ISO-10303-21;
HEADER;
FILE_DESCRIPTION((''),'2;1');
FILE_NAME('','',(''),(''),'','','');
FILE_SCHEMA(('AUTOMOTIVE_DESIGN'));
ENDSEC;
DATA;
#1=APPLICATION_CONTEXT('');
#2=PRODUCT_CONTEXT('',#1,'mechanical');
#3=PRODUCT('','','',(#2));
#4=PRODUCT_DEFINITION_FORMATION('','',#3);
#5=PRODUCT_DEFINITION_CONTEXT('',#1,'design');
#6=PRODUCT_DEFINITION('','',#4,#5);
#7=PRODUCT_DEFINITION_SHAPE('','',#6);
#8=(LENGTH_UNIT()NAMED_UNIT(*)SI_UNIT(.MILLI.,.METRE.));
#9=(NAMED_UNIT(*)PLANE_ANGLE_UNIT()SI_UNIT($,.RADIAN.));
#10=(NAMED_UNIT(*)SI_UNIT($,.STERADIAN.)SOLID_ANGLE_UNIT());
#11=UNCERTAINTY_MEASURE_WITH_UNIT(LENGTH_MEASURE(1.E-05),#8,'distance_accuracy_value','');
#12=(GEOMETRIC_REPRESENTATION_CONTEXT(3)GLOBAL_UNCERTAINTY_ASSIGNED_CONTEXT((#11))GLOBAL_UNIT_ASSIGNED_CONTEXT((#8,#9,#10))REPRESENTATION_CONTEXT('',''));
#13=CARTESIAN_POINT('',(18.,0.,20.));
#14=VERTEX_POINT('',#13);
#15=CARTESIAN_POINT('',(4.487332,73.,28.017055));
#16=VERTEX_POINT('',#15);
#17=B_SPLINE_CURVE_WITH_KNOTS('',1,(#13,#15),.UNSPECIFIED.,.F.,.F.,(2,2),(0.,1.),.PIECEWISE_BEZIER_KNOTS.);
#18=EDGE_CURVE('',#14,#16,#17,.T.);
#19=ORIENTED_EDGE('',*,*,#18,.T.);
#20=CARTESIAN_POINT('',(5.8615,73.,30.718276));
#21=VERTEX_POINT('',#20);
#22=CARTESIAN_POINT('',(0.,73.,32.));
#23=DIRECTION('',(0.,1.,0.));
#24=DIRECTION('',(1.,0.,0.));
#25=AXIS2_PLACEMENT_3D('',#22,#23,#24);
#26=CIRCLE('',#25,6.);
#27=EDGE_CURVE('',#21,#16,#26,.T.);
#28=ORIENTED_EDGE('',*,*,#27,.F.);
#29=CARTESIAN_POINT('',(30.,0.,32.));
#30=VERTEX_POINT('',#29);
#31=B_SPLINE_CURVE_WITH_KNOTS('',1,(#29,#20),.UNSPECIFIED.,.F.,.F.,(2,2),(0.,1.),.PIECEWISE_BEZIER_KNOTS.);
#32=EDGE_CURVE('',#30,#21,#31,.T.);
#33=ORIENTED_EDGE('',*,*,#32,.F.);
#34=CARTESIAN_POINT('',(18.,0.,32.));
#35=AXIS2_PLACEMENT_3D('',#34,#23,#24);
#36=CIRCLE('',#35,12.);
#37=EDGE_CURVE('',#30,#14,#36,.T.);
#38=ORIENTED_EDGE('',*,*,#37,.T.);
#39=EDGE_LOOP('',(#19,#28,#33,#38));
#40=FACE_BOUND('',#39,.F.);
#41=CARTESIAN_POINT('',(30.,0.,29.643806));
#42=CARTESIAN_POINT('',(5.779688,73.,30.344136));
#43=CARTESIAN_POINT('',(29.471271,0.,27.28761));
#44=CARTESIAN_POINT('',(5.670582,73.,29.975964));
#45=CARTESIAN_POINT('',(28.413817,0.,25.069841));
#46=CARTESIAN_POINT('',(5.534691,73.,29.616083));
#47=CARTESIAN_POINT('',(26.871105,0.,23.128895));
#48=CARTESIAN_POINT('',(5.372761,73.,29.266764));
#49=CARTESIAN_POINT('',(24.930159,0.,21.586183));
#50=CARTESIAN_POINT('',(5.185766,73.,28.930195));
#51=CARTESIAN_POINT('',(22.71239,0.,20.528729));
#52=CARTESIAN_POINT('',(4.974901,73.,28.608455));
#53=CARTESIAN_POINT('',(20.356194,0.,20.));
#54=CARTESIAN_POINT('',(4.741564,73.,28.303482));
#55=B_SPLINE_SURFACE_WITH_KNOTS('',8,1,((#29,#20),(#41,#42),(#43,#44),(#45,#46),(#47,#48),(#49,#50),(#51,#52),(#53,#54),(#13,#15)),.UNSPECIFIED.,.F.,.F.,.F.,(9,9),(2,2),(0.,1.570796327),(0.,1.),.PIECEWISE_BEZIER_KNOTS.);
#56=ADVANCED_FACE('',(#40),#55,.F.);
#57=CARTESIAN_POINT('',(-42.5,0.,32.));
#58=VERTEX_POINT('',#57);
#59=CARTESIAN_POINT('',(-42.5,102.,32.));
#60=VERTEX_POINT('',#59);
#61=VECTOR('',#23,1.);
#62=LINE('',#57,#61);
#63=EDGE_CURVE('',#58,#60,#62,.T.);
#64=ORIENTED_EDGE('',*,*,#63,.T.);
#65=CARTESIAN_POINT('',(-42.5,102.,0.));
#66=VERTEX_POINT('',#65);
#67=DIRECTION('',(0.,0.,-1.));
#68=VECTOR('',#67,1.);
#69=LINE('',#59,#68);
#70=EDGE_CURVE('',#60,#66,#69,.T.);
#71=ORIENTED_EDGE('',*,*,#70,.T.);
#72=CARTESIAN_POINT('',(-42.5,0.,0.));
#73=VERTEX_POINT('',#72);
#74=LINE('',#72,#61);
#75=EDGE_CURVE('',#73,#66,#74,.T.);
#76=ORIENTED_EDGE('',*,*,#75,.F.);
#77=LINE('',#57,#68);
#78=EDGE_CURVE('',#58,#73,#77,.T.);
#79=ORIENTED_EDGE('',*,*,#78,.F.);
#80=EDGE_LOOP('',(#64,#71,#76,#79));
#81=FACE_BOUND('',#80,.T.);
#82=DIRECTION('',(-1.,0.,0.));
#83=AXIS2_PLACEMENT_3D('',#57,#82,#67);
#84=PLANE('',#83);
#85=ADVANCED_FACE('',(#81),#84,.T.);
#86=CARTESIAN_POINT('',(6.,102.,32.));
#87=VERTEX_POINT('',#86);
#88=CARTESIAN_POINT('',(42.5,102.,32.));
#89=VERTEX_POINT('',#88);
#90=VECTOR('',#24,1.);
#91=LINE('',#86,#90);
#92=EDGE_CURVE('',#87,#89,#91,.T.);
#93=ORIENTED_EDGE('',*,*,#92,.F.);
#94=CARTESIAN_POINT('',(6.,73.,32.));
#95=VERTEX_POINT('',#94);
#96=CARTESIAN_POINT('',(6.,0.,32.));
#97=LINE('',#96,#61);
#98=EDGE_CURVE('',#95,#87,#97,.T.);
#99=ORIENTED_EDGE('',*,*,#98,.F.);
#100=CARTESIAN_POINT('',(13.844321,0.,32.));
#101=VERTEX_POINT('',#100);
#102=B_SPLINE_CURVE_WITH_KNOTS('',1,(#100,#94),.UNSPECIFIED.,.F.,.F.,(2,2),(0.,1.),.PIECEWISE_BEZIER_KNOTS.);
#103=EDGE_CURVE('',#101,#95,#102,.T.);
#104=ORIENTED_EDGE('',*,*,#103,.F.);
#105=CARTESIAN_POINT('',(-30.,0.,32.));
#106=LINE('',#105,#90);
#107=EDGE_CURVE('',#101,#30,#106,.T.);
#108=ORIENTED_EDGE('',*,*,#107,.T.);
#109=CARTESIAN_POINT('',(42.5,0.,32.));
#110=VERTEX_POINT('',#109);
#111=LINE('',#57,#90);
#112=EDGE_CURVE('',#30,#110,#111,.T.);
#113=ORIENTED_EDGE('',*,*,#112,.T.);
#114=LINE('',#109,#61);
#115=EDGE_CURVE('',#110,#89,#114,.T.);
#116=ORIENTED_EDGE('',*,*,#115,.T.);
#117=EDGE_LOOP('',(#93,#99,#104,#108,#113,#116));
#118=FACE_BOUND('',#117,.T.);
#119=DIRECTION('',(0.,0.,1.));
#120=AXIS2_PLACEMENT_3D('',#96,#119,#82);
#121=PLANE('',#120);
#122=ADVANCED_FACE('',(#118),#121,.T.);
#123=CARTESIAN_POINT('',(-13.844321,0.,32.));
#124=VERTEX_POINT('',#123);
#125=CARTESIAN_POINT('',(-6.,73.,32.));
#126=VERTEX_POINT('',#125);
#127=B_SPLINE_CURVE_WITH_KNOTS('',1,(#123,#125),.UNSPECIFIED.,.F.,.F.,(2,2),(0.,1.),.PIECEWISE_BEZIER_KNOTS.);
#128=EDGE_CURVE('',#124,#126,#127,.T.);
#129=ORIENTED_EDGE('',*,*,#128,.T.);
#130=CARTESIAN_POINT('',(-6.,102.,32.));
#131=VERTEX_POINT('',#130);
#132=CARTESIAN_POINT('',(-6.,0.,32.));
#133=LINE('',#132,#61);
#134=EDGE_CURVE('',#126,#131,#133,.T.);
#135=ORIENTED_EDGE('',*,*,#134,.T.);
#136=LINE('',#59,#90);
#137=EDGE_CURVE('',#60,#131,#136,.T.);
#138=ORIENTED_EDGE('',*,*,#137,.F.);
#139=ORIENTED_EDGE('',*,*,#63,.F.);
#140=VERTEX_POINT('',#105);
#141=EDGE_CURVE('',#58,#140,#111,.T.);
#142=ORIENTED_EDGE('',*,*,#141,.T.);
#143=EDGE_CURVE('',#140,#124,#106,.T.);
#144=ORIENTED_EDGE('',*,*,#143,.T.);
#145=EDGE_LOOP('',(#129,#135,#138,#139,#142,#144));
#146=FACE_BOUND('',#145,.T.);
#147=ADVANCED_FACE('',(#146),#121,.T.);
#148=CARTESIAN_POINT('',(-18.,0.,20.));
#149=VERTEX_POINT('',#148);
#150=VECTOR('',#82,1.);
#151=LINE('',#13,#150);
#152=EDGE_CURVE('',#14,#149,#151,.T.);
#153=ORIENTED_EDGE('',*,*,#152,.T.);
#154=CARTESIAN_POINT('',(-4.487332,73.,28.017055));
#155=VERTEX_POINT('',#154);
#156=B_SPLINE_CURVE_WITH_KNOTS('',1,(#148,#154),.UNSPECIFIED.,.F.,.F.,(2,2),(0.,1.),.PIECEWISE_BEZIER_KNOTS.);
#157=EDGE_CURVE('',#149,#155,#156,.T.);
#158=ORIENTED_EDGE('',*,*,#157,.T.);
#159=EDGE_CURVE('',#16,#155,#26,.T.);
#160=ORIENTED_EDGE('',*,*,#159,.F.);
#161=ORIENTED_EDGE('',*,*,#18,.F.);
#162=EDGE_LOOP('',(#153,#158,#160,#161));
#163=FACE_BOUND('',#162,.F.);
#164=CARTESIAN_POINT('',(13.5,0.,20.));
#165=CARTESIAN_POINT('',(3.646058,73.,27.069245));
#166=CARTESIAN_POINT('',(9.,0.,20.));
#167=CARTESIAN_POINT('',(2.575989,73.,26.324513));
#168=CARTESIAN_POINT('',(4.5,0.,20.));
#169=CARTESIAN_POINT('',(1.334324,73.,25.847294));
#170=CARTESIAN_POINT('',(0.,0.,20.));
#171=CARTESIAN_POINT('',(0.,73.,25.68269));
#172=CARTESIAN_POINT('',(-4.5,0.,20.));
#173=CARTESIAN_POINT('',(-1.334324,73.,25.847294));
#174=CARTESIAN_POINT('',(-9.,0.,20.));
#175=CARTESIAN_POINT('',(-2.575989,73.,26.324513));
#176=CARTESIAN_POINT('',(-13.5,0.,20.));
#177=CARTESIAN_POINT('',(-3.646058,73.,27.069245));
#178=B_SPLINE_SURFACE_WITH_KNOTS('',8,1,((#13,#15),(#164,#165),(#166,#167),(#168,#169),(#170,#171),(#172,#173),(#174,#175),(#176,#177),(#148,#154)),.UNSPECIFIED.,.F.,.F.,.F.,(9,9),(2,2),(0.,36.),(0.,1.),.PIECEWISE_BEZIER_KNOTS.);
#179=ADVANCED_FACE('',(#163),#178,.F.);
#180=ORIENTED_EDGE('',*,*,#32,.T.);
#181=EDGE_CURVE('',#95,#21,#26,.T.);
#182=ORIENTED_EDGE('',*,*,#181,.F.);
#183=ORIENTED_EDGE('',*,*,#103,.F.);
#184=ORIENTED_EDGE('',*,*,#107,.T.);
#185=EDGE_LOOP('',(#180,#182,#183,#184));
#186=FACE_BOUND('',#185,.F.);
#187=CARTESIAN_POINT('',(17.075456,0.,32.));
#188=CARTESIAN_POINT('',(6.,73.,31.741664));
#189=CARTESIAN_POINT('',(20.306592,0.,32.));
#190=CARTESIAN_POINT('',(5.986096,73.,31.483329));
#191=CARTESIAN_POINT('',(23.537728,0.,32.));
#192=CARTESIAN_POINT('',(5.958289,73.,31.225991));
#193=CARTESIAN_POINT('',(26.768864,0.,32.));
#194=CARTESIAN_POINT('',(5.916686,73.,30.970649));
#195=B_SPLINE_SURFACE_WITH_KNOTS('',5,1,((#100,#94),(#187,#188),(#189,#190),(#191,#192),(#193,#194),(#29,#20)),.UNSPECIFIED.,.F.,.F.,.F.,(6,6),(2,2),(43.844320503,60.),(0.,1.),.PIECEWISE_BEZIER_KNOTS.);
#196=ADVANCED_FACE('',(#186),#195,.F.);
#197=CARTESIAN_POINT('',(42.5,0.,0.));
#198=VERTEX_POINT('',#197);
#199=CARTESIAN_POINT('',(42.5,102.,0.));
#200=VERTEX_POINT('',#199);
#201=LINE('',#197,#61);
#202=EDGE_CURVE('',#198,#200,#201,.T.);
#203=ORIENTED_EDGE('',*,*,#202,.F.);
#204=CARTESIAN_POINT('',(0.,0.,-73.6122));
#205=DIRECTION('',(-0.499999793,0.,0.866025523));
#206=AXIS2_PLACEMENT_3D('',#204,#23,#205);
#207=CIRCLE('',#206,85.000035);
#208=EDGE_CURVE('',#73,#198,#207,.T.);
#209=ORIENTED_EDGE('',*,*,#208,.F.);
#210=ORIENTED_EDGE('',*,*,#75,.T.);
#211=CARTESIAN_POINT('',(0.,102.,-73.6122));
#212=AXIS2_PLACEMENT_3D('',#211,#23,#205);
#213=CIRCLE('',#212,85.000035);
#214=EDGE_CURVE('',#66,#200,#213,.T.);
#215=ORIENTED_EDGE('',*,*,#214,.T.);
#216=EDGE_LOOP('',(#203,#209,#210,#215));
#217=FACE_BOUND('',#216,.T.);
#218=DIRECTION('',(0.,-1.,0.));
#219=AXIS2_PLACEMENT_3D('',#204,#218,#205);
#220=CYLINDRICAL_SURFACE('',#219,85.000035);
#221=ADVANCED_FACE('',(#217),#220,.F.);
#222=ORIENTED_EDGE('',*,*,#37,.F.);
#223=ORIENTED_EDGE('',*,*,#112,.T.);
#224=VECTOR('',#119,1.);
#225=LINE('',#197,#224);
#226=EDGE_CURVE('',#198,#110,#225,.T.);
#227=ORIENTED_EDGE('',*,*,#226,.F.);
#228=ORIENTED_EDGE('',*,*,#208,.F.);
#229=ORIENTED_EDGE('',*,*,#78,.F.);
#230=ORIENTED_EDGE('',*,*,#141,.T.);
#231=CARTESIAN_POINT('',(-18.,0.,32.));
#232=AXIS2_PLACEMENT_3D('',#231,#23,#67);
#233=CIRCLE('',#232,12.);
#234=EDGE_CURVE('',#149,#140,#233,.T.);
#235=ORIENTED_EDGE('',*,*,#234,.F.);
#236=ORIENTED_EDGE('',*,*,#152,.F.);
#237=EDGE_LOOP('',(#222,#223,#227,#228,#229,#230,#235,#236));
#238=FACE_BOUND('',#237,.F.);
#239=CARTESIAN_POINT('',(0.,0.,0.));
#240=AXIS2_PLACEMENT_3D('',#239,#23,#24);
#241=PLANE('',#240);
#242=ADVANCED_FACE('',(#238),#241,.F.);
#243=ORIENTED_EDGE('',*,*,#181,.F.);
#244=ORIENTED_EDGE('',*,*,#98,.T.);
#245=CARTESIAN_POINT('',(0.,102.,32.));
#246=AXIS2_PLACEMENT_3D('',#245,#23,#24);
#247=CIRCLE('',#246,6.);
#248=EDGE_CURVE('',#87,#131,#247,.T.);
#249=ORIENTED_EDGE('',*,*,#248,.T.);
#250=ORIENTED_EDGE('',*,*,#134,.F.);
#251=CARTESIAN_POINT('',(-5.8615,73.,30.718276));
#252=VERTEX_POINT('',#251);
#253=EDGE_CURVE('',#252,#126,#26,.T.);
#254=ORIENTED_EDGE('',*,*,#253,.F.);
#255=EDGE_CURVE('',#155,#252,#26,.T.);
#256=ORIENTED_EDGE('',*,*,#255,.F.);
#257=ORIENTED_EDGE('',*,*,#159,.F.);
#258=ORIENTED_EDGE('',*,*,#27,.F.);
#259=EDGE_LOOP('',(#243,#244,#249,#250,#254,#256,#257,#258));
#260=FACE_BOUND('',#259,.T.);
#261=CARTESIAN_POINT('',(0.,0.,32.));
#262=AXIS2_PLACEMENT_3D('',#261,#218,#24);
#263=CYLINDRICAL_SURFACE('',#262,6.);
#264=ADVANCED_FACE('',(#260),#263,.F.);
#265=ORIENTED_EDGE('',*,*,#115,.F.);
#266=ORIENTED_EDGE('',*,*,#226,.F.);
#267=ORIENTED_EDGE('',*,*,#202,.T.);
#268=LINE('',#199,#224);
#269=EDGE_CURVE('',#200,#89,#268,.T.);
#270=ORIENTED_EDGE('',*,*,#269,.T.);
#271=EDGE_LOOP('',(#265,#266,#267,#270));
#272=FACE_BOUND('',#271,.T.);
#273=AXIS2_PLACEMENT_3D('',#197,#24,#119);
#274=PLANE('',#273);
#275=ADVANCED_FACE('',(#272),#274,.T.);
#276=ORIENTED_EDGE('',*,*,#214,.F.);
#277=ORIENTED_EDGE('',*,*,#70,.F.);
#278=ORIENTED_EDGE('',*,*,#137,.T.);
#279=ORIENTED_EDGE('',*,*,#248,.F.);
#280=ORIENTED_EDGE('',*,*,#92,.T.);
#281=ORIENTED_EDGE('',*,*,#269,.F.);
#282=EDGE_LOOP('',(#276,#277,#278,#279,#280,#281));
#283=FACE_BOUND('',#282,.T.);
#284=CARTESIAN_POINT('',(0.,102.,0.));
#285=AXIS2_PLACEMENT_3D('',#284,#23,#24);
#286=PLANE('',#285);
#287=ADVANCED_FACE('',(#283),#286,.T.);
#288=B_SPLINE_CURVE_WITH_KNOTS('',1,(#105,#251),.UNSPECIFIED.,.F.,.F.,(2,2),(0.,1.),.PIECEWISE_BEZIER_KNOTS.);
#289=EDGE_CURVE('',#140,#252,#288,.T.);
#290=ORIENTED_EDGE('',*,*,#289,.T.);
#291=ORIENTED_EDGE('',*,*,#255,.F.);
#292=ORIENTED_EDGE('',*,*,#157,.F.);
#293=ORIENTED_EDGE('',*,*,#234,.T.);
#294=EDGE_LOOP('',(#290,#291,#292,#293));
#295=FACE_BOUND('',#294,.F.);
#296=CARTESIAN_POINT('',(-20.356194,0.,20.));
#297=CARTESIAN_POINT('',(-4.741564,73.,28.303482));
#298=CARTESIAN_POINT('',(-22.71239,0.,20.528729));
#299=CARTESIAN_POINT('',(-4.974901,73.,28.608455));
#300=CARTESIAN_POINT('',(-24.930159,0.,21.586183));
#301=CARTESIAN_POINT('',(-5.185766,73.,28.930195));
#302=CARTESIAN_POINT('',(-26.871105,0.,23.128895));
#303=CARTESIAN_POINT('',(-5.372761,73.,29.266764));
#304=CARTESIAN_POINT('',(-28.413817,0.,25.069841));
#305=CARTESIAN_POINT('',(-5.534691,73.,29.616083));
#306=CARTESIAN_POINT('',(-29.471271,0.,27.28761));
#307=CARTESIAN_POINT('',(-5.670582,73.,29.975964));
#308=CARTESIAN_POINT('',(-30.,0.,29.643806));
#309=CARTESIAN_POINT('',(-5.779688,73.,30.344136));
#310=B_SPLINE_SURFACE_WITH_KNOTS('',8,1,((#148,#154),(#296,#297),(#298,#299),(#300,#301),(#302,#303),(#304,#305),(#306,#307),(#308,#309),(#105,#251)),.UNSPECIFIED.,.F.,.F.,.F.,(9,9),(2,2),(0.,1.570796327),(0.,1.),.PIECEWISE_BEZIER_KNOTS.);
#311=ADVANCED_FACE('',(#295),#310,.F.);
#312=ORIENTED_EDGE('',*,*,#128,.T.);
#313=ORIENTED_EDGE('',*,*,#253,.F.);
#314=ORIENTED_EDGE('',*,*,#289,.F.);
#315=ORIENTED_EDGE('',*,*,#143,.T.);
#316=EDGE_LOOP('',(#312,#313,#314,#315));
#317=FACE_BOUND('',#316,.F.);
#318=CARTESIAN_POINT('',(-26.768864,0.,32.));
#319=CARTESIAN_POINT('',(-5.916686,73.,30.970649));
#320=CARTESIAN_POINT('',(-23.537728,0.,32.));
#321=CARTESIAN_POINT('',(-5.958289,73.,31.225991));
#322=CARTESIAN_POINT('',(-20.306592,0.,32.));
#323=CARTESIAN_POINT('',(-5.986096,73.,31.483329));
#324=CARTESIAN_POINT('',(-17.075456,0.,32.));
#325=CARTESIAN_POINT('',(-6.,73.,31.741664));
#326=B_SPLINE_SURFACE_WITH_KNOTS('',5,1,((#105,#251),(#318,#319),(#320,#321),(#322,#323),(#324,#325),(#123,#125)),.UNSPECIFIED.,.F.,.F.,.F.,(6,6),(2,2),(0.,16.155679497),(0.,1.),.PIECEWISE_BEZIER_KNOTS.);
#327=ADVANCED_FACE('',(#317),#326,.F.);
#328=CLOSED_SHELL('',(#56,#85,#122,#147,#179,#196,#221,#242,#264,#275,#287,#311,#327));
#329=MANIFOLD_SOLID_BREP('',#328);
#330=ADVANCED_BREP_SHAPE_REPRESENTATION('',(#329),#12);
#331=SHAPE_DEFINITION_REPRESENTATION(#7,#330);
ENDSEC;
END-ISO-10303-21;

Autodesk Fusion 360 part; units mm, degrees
sketch "Sketch1" plane through (0, 0, 0) normal (0, 1, 0) x (1, 0, 0)
  line L0 (-42.5, 0) -> (42.5, 0)
  line L1 (42.5, 0) -> (42.5, -32)
  line L2 (42.5, -32) -> (-42.5, -32)
  line L3 (-42.5, -32) -> (-42.5, 0)
  arc A0 (-42.5, 0) -> (42.5, 0) centre (0, 73.6122) ccw
  line L4 (-30, -32) -> (30, -32)
  line L5 (18, -20) -> (-18, -20)
  arc A1 (-18, -20) -> (-30, -32) centre (-18, -32) ccw
  arc A2 (30, -32) -> (18, -20) centre (18, -32) ccw
  arc A3 (6, -32) -> (-6, -32) centre (0, -32) ccw
  dimension "d1" = 42.5
  dimension "d2" = 42.5
  dimension "d3" = 32
  dimension "d4" = 32
  dimension "d5" = 170
  dimension "d6" = 20
  dimension "d9" = 12
  dimension "d10" = 12
  dimension "d11" = 30
  dimension "d12" = 30
  dimension "d13" = 12
  dimension "d14" = 42.5
extrude "Extrude1" add sketch "Sketch1" along normal blind 102 contours L1 L2 L3 A0 L5 A1 A2 | L2 L4 L5 A1 A2 A3
extrude "Extrude2" add sketch "Sketch1" along normal blind 73 contours L2 L4 A3
loft "Loft1" cut profiles "Sketch1" section 1 contours L2 L4 L5 A1 A2 A3 | L2 L4 A3 section 2 face at (-0.1495, 73, 30.0056)
equation "d1 = ( 85 / 2 ) * 1 mm"
equation "d2 = ( 85 / 2 ) * 1 mm"
equation "d5 = ( 85 * 2 ) * 1 mm"
equation "d14 = d2"
equation "d17 = 102 mm - 29 mm"
